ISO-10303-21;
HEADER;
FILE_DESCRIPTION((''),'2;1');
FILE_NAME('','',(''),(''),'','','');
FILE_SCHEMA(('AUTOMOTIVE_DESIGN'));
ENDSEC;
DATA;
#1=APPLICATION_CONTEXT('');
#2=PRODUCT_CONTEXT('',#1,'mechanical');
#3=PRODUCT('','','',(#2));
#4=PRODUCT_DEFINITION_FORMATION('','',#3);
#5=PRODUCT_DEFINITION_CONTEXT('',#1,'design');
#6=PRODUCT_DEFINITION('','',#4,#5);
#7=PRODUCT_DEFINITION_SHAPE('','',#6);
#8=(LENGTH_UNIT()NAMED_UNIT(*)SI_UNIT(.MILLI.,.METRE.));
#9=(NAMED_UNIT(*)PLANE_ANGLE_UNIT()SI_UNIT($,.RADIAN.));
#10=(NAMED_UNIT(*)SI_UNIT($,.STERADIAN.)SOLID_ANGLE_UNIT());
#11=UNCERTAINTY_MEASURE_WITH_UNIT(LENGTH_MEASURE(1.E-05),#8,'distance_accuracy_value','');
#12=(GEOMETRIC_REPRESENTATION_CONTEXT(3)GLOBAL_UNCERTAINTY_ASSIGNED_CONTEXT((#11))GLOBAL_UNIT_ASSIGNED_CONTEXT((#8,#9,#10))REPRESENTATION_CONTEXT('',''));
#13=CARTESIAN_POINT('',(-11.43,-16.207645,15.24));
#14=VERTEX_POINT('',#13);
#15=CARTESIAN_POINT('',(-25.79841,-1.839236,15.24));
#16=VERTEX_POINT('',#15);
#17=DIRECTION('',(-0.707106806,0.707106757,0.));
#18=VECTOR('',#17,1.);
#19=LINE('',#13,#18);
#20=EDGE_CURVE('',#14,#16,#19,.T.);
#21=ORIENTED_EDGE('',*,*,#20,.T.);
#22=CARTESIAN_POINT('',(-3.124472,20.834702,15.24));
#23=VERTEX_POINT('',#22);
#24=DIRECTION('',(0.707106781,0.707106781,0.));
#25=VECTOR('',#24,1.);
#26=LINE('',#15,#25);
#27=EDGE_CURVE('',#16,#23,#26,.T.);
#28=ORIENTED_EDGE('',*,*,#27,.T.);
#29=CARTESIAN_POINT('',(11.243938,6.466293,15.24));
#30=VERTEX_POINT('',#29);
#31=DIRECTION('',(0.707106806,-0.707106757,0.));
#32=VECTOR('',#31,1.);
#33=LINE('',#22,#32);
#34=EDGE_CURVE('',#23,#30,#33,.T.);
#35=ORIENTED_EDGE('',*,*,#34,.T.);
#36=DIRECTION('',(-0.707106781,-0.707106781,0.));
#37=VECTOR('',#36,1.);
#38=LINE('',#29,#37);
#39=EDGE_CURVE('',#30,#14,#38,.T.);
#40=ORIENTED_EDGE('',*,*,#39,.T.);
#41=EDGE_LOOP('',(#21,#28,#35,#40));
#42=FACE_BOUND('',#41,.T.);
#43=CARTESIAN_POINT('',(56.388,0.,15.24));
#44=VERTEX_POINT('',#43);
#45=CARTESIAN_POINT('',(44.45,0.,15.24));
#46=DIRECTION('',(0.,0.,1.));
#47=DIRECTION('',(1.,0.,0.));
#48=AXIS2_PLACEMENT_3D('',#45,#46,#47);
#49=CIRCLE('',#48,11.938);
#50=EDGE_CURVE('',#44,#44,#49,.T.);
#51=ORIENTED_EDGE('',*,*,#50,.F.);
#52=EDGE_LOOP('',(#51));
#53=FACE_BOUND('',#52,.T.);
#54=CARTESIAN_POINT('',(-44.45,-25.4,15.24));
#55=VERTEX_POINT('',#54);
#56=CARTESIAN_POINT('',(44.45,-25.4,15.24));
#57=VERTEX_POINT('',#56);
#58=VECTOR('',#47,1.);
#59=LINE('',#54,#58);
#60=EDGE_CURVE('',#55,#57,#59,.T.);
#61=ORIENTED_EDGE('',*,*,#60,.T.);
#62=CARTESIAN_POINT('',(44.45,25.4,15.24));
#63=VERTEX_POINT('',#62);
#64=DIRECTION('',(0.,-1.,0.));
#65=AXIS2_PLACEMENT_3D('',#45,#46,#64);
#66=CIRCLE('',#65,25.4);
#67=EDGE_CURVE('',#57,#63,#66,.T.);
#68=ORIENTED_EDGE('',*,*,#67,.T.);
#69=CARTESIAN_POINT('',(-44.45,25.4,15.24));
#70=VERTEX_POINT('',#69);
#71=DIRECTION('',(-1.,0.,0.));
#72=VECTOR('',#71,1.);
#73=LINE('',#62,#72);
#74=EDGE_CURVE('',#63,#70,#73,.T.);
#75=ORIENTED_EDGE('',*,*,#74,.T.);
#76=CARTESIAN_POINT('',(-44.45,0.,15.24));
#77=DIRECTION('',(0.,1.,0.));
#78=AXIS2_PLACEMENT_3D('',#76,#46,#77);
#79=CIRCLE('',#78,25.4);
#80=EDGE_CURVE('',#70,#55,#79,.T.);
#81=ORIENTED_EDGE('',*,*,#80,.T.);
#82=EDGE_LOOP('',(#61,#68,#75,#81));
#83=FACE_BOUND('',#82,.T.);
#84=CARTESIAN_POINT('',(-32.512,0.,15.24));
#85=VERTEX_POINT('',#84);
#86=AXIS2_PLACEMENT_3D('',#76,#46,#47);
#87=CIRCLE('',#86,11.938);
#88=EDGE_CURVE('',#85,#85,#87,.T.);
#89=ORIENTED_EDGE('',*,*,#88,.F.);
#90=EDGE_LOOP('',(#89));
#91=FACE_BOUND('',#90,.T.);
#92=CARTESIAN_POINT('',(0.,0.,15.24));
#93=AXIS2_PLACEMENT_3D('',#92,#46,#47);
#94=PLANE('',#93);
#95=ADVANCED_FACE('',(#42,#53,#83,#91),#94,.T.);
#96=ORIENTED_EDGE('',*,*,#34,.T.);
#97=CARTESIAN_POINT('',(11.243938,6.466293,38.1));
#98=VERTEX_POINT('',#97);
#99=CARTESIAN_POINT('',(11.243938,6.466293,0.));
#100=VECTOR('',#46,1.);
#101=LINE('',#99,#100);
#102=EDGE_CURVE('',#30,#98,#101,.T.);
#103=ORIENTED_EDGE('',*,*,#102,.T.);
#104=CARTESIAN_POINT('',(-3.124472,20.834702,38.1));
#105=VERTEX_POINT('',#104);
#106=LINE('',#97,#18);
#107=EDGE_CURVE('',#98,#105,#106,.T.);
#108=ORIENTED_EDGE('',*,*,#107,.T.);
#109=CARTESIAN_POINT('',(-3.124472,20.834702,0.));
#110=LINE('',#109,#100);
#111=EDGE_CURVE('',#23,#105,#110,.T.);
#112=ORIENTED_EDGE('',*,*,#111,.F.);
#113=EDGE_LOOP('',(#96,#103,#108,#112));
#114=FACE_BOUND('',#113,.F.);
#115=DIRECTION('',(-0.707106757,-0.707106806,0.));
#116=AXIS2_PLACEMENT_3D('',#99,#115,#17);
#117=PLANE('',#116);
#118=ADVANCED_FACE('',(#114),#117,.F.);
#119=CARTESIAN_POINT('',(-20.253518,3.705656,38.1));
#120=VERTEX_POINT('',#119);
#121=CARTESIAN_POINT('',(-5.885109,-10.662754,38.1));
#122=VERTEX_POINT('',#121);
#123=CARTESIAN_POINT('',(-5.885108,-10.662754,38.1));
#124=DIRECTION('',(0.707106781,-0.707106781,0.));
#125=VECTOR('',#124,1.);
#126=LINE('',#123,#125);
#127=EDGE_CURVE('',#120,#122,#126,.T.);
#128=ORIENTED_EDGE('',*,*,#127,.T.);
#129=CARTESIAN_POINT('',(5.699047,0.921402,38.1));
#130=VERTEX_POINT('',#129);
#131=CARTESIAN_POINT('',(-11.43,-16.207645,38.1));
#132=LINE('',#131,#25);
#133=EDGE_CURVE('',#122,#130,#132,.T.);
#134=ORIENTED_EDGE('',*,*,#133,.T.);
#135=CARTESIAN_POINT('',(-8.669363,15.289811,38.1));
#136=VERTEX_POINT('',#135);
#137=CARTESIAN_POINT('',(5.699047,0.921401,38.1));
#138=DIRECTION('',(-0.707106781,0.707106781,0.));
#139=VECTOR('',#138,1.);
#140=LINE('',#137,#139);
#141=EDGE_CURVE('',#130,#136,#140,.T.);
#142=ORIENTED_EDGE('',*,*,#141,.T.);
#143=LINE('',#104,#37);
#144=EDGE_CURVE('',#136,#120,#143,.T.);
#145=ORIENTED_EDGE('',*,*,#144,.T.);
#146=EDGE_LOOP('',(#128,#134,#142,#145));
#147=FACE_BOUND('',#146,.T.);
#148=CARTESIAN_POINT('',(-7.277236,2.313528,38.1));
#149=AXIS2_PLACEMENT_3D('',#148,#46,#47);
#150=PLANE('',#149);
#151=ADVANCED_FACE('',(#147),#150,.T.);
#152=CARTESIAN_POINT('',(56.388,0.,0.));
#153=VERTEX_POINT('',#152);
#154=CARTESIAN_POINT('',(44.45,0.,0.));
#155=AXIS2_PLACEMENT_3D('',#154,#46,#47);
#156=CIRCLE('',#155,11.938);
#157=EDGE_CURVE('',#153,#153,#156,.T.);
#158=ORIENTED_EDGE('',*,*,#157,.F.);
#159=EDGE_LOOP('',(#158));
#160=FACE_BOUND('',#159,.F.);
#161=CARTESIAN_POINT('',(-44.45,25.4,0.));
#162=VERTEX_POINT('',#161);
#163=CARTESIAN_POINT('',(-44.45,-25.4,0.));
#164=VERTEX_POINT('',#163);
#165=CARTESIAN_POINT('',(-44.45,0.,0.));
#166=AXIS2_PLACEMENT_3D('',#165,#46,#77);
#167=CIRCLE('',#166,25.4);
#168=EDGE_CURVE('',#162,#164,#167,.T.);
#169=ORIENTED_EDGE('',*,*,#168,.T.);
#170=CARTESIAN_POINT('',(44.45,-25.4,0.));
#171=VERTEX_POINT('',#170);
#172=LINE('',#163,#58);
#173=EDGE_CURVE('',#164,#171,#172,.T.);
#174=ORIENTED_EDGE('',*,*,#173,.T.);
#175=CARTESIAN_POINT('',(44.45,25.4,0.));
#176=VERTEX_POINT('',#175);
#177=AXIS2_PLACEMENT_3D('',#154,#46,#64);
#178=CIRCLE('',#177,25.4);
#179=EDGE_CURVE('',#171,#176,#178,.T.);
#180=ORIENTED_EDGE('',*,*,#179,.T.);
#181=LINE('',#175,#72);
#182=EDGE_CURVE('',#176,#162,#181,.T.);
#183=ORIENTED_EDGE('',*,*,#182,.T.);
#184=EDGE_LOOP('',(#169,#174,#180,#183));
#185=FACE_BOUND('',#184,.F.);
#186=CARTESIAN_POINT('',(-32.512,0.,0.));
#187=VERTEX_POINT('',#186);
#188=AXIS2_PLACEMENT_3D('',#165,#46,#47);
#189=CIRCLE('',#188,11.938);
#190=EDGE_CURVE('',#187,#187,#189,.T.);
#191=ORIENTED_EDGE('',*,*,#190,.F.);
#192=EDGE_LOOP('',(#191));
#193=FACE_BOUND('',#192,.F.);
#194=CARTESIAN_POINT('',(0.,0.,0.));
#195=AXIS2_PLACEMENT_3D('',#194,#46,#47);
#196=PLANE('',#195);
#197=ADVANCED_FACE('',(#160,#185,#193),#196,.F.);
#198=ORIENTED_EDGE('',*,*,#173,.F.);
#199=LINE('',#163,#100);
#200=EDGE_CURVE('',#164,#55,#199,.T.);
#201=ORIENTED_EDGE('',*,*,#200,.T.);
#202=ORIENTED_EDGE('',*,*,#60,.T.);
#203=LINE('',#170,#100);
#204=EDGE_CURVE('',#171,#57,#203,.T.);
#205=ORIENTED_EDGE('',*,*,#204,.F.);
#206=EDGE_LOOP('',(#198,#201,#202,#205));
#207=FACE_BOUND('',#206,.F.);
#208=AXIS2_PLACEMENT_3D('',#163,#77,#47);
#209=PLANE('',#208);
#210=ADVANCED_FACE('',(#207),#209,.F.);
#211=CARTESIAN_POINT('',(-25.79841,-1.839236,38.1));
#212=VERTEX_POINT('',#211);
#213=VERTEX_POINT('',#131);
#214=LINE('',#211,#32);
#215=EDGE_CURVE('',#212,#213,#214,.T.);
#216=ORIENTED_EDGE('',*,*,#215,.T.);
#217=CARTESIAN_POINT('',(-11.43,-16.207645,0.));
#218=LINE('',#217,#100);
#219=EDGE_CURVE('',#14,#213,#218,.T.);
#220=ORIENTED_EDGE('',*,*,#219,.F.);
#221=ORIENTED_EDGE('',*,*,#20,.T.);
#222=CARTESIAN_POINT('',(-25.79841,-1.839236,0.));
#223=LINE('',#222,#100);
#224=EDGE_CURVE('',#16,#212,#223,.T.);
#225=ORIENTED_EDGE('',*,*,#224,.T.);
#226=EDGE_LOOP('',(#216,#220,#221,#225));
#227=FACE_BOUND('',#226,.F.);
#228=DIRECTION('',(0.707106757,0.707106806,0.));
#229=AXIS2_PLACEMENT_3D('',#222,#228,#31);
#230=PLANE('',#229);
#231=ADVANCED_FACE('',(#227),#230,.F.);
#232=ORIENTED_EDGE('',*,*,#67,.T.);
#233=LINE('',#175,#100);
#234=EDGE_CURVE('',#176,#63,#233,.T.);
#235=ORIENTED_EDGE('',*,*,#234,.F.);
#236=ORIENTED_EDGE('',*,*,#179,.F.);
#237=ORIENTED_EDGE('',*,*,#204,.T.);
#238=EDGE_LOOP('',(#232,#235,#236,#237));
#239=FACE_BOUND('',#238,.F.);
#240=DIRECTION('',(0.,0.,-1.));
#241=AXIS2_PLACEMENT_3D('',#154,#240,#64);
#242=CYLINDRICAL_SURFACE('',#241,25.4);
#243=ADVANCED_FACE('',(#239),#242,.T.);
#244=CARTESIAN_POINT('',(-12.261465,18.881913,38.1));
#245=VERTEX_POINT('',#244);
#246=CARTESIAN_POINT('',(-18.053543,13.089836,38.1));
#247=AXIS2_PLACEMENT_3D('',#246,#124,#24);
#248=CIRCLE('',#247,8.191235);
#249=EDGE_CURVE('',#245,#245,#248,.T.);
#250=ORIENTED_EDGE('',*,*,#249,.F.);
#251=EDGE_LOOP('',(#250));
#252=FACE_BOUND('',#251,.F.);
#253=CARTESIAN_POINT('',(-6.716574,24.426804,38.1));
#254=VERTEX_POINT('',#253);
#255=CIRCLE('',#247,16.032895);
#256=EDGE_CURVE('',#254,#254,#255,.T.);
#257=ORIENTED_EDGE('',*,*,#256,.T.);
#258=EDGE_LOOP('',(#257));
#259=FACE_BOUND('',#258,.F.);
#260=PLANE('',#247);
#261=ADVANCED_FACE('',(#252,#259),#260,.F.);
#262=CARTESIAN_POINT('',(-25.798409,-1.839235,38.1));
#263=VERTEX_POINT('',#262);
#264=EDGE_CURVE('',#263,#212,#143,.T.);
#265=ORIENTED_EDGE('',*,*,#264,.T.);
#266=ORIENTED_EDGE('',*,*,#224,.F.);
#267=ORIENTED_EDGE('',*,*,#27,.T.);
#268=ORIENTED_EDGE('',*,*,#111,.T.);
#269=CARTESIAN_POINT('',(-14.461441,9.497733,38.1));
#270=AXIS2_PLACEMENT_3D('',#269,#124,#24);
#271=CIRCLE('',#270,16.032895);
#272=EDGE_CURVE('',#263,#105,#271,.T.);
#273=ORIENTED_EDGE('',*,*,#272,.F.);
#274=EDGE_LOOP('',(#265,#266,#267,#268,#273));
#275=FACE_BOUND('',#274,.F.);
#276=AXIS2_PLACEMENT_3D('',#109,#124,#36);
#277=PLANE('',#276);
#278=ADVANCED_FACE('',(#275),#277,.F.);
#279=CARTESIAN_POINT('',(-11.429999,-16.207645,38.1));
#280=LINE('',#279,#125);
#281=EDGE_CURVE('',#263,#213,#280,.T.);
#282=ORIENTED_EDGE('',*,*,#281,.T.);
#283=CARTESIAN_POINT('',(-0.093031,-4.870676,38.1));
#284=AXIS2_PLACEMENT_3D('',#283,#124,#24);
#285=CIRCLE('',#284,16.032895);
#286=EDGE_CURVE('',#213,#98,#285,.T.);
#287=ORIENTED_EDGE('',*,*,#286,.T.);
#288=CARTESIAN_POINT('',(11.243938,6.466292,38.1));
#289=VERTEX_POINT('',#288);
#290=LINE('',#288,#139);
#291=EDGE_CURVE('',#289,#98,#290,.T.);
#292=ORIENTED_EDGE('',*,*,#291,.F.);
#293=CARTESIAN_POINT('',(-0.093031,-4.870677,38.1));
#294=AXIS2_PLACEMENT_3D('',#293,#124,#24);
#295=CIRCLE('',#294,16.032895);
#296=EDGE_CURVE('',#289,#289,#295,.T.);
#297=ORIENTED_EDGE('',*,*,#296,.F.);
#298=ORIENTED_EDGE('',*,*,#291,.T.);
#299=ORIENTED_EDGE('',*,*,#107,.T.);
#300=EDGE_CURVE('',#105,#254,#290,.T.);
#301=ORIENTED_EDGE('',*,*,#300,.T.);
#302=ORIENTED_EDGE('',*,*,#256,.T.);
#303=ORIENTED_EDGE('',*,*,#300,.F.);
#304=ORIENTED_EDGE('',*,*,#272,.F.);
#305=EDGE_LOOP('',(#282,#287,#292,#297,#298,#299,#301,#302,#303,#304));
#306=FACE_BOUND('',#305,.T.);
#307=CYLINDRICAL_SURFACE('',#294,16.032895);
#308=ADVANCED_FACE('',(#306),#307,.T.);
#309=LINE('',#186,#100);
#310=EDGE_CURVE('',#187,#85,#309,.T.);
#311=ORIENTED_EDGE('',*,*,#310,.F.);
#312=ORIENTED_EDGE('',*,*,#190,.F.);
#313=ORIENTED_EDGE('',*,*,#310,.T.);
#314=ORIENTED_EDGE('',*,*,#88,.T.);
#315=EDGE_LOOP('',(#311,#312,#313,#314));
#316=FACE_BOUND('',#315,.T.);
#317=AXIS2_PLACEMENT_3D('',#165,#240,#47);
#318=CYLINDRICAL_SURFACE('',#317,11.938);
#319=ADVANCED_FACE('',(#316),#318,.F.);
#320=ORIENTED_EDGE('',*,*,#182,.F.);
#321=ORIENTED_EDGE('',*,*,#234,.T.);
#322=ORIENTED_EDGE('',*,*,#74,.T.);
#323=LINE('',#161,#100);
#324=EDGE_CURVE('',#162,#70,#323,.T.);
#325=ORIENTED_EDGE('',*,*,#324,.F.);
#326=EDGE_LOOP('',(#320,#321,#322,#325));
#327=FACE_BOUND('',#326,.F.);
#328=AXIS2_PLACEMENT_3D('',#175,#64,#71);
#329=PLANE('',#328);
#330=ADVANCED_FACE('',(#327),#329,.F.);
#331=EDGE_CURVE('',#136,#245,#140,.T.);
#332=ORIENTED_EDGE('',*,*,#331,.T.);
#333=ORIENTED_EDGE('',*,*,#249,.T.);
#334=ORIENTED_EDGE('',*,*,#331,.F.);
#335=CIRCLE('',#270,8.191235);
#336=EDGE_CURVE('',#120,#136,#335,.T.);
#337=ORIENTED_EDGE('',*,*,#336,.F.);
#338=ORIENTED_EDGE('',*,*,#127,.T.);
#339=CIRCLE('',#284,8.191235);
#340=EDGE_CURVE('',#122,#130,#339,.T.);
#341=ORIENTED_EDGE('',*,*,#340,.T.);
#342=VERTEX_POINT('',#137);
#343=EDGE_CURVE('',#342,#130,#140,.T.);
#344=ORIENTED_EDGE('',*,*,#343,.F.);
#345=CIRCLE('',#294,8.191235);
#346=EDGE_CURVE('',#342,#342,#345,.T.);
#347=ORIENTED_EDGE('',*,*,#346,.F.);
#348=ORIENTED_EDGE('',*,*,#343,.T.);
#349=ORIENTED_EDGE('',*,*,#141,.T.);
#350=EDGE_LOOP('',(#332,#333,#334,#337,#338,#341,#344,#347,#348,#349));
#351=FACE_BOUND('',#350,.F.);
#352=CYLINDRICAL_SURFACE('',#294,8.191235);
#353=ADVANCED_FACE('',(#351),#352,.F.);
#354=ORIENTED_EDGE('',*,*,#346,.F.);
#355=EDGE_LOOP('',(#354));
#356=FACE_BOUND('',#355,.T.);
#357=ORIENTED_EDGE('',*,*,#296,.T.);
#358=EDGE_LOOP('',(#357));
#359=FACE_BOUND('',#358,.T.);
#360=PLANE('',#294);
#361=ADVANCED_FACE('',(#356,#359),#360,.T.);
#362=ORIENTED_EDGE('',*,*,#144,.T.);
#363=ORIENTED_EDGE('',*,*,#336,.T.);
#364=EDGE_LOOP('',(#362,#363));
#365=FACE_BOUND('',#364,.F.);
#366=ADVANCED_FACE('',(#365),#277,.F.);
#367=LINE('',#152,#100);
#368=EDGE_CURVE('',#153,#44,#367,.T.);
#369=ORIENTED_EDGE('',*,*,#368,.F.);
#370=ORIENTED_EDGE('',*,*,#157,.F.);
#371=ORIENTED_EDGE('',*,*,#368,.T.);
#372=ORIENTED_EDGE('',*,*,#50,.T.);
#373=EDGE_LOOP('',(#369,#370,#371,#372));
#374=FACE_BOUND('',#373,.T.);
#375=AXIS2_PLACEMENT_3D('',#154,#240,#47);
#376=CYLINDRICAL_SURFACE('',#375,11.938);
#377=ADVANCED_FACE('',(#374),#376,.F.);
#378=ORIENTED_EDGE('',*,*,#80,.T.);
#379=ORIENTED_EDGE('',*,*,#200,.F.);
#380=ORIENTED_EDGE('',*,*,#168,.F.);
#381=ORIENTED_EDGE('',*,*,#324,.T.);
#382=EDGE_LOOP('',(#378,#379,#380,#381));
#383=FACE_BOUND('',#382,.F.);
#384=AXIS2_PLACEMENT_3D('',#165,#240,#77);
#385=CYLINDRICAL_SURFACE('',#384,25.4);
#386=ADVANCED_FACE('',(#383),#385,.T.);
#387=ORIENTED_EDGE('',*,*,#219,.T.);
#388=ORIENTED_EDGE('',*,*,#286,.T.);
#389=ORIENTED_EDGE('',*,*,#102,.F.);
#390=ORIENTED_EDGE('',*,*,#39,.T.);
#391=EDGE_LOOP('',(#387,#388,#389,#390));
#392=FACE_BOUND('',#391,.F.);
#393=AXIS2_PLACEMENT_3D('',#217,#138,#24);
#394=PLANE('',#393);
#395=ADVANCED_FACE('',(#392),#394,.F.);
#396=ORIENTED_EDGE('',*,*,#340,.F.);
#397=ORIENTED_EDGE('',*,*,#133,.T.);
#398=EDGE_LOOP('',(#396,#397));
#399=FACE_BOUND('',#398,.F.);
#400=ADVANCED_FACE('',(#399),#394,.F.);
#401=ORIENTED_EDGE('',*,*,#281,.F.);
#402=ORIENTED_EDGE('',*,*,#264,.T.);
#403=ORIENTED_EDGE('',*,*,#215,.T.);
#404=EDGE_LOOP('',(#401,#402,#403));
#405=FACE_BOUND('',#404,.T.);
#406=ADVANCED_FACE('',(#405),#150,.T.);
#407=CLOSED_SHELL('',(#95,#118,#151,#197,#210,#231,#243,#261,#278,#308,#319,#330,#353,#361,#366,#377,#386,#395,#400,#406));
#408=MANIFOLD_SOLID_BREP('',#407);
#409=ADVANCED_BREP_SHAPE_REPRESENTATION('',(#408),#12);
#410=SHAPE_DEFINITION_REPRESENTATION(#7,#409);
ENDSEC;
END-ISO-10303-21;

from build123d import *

# Parameters (mm, degrees)
F0_R     = 11.938
F1_DEPTH = 15.24
F2_DEPTH = 38.1
F3_R     = 16.032895
F3_R_2   = 8.191235
F4_DEPTH = 25.4


with BuildPart() as f1:
    # F0 (on Top) → F1 (new body)
    with BuildSketch(Plane.XY):
        with BuildLine():
            Line((-44.45, -25.4), (44.45, -25.4))
            ThreePointArc((44.45, -25.4), (69.85, 0), (44.45, 25.4))
            Line((44.45, 25.4), (-44.45, 25.4))
            ThreePointArc((-44.45, 25.4), (-69.85, 0), (-44.45, -25.4))
        make_face()
        with Locations((-44.45, 0)):
            Circle(F0_R, mode=Mode.SUBTRACT)
        with Locations((44.45, 0)):
            Circle(F0_R, mode=Mode.SUBTRACT)
        Polygon((-11.43, -16.207645), (-25.79841, -1.839236), (-3.124472, 20.834702), (11.243938, 6.466293), align=None, mode=Mode.SUBTRACT)
    extrude(amount=F1_DEPTH)

    # F0 (on Top) → F2 (join)
    with BuildSketch(Plane.XY):
        Polygon((-3.124472, 20.834702), (-25.79841, -1.839236), (-11.43, -16.207645), (11.243938, 6.466293), align=None)
    extrude(amount=F2_DEPTH)

    # F3 (on face) → F4 (join)
    with BuildSketch(Plane(origin=(2.388823, -2.388823, 0), x_dir=(0.707107, 0.707107, 0), z_dir=(0.707107, -0.707107, 0))):
        with Locations((-3.509871, 38.1)):
            Circle(F3_R)
        with Locations((-3.509871, 38.1)):
            Circle(F3_R_2, mode=Mode.SUBTRACT)
    extrude(amount=-F4_DEPTH)


solid = f1.part
